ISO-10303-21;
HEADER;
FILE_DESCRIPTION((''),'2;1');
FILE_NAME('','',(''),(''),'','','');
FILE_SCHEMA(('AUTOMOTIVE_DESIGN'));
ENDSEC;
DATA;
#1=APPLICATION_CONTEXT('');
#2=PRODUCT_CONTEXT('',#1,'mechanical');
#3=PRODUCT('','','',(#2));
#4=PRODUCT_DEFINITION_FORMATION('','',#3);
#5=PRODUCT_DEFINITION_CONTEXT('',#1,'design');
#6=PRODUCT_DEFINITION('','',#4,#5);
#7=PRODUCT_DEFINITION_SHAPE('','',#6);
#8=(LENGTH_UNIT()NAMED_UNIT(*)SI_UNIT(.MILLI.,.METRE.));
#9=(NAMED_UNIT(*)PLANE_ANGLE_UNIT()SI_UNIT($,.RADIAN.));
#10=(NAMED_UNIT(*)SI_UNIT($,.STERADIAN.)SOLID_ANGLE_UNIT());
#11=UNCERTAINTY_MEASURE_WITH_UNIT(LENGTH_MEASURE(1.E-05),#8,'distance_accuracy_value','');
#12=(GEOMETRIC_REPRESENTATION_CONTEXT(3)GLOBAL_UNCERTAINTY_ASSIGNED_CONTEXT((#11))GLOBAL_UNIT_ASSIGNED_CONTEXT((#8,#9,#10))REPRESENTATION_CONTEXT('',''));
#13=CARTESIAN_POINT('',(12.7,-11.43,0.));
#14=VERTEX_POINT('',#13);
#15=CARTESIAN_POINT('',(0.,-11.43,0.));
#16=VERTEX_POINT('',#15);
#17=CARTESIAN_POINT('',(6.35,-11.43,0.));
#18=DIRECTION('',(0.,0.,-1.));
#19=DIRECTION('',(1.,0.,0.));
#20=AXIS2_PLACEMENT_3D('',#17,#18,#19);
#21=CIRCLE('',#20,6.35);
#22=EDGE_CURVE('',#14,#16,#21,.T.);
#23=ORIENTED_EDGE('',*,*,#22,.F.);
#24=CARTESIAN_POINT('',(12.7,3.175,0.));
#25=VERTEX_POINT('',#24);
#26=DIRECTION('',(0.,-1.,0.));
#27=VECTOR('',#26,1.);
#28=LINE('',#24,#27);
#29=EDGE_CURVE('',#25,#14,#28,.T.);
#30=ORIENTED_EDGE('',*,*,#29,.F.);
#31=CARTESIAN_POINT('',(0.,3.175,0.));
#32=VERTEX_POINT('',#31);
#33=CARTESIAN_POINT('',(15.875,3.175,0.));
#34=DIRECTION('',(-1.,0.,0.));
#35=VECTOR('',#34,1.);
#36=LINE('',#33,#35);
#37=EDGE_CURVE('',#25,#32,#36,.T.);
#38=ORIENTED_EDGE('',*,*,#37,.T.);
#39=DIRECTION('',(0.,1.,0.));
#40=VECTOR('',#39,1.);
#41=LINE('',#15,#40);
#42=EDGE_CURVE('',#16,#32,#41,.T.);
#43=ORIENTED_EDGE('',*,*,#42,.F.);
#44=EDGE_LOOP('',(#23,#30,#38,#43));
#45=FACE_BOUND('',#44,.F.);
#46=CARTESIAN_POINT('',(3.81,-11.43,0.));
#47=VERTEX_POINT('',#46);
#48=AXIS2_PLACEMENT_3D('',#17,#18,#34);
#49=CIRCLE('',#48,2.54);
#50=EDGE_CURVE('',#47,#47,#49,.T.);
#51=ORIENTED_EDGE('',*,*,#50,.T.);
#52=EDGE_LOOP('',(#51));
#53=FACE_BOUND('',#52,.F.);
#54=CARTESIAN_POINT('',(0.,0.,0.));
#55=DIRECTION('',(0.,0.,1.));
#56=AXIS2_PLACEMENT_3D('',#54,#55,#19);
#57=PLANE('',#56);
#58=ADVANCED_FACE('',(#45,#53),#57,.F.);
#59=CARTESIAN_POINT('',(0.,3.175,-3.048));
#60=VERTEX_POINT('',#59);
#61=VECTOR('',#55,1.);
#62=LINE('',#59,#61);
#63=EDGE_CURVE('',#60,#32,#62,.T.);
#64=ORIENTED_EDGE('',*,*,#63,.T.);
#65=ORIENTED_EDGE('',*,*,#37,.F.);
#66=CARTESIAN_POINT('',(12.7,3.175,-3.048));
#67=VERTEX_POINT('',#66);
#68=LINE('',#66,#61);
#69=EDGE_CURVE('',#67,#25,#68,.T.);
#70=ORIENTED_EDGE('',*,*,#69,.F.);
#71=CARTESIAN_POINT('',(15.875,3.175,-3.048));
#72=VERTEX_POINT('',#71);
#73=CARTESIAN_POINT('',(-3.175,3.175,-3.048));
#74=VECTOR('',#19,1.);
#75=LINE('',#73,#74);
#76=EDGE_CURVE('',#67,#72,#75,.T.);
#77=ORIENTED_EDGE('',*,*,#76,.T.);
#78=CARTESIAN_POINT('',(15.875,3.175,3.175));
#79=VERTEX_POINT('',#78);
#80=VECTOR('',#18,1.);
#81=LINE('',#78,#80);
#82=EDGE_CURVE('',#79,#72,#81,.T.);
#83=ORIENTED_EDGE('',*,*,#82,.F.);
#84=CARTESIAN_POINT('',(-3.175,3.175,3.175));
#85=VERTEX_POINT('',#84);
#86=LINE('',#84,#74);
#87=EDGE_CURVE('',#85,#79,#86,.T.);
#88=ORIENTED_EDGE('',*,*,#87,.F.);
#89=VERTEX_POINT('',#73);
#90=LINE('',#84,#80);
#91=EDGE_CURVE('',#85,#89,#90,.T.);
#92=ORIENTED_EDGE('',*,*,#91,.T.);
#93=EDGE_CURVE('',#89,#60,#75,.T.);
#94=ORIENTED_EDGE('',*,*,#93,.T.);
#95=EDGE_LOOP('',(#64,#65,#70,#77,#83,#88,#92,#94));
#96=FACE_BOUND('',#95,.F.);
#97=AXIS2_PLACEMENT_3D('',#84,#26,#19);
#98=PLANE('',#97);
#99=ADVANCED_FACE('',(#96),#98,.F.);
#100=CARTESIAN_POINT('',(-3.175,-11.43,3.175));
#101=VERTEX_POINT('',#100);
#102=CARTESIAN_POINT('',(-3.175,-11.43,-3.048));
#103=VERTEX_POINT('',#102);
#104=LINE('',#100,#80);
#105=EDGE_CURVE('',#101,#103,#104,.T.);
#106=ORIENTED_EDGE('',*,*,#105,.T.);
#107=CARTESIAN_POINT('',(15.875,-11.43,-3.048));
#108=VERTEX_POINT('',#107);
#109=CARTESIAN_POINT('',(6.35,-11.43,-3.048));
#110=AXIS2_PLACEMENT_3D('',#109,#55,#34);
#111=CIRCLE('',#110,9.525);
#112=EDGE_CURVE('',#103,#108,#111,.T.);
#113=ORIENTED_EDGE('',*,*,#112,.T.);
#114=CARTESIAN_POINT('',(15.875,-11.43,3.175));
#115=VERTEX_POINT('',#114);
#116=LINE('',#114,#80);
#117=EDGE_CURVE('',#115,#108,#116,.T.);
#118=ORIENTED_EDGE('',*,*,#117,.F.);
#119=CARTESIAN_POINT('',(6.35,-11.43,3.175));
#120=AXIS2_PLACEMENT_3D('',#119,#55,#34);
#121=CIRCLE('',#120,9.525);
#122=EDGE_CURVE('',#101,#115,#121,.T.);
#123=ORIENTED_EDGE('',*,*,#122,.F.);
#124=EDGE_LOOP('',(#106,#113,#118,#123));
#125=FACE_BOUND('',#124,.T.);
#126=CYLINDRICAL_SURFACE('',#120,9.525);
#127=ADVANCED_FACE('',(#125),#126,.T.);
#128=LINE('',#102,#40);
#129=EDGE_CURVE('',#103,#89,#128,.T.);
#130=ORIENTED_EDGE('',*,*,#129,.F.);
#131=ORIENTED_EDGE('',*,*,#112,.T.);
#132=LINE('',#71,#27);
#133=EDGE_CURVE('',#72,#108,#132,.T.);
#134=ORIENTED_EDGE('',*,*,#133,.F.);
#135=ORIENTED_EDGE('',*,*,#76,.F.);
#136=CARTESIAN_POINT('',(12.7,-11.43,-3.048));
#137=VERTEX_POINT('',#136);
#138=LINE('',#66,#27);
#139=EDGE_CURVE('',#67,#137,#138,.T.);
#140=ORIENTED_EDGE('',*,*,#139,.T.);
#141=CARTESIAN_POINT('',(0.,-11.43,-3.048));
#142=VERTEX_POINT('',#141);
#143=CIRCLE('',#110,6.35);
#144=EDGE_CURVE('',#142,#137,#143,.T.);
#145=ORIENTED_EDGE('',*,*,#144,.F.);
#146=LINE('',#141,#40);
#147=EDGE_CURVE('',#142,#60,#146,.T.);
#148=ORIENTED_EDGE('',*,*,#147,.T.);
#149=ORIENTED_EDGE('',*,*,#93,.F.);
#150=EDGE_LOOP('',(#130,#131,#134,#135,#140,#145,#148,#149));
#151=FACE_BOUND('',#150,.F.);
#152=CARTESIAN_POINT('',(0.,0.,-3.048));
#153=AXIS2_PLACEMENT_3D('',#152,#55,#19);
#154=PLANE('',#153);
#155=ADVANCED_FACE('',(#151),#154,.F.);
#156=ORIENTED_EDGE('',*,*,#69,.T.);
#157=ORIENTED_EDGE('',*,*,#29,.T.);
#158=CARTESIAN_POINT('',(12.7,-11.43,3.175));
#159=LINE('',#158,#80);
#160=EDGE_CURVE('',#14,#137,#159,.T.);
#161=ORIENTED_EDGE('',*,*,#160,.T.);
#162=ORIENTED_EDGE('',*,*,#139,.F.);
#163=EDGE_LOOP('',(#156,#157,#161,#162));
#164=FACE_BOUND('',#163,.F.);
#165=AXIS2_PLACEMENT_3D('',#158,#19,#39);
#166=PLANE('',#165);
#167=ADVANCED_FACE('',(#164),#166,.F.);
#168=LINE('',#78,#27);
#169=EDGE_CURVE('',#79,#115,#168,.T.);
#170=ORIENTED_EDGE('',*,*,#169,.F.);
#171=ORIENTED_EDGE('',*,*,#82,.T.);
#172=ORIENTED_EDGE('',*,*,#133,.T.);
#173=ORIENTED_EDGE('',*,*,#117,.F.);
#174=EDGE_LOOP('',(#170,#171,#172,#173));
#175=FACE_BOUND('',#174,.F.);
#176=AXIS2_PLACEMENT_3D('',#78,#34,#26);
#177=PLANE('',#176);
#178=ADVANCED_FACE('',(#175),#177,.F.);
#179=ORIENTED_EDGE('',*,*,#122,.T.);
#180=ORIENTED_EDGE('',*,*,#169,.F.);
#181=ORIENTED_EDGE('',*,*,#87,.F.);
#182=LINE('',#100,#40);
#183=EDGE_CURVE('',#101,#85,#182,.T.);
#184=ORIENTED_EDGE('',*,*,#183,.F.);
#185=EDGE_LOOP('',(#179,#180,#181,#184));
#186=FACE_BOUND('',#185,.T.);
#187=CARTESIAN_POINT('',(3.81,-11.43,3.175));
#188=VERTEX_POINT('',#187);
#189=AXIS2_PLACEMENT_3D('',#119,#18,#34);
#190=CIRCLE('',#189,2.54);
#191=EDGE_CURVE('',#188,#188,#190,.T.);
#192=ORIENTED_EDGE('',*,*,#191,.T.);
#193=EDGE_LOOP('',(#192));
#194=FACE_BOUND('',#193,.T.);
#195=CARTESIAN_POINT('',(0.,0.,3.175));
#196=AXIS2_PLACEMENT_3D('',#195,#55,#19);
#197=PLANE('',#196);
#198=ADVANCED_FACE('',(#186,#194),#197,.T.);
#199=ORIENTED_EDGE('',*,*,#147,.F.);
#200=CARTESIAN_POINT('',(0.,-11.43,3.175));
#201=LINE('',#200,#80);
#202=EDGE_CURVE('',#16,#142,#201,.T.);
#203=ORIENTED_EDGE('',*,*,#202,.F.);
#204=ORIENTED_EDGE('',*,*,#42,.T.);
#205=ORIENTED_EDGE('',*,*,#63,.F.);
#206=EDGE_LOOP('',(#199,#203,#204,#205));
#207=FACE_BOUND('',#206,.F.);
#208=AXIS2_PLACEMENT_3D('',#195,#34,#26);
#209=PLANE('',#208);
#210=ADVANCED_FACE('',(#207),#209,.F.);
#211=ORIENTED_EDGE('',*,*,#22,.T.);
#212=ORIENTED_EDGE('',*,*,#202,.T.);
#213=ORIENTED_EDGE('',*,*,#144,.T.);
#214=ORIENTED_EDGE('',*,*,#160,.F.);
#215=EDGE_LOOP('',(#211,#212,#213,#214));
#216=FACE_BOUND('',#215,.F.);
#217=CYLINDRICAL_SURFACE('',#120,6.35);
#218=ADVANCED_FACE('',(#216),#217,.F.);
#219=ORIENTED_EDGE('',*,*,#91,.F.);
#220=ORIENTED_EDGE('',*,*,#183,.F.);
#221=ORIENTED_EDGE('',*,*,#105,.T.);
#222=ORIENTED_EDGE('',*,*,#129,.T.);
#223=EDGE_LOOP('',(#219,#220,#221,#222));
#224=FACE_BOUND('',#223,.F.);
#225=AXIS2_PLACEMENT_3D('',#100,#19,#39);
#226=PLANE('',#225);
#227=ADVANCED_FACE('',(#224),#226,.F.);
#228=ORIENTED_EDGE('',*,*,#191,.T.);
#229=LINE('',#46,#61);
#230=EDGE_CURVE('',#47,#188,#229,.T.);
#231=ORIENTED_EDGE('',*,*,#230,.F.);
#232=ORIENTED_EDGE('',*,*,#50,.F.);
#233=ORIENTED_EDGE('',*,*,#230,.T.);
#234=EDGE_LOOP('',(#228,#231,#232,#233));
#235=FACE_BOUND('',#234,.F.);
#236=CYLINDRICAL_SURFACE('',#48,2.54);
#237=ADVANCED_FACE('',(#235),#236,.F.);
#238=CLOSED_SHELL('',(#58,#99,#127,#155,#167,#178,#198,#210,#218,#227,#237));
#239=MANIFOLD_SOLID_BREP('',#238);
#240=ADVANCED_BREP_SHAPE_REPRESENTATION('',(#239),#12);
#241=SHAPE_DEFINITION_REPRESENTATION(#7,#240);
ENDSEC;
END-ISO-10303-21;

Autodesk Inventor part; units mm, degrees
ref_plane "YZ Plane" through (0, 0, 0) normal (1, 0, 0) x (0, 1, 0)
ref_plane "XZ Plane" through (0, 0, 0) normal (0, 1, 0) x (-1, 0, 0)
ref_plane "XY Plane" through (0, 0, 0) normal (0, 0, 1) x (1, 0, 0)
sketch "Sketch1" plane through (0, 0, 0) normal (0, 0, 1) x (1, 0, 0)
  line L0 (0, 0) -> (12.7, 0)
  line L1 (12.7, 0) -> (12.7, -11.43)
  line L2 (6.35, -17.78) -> (6.35, -17.78)
  line L3 (0, -11.43) -> (0, 0)
  arc A0 (6.35, -17.78) -> (12.7, -11.43) centre (6.35, -11.43) ccw
  arc A1 (0, -11.43) -> (6.35, -17.78) centre (6.35, -11.43) ccw
  point P0 (12.7, -17.78)
  point P1 (0, -17.78)
  dimension "d0" = 12.7
  dimension "d1" = 17.78
  dimension "d2" = 6.35
extrude "Extrusion1" add sketch "Sketch1" along normal blind 3.175
sketch "Sketch2" plane through (0, 0, 3.175) normal (0, 0, 1) x (1, 0, 0)
  line L0 (12.7, 0) -> (0, 0) projected
  line L1 (0, 0) -> (0, -11.43) projected
  arc A0 (0, -11.43) -> (12.7, -11.43) centre (6.35, -11.43) ccw projected
  line L2 (12.7, -11.43) -> (12.7, 0) projected
  line L3 (-3.175, 3.175) -> (15.875, 3.175)
  line L4 (15.875, 3.175) -> (15.875, -11.43)
  arc A1 (-3.175, -11.43) -> (15.875, -11.43) centre (6.35, -11.43) ccw
  line L5 (-3.175, -11.43) -> (-3.175, 3.175)
  dimension "d5" = 3.175
extrude "Extrusion2" add sketch "Sketch2" against normal blind 6.223
sketch "Sketch3" plane through (0, 0, -3.048) normal (0, 0, -1) x (-1, 0, 0)
  line L0 (-15.875, 3.175) -> (-15.875, -11.43) projected
  line L1 (-15.875, 3.175) -> (3.351, 3.175)
  line L2 (3.351, 3.175) -> (3.351, 0)
  line L3 (3.351, 0) -> (-15.875, 0)
  line L4 (-15.875, 0) -> (-15.875, 3.175)
  line L5 (-12.7, 0) -> (0, 0) projected
  line L6 (3.175, 3.175) -> (-15.875, 3.175) projected
  line L7 (-12.7, 0) -> (0, 0)
  line L8 (0, 0) -> (0, 3.175)
  line L9 (0, 3.175) -> (-12.7, 3.175)
  line L10 (-12.7, 3.175) -> (-12.7, 0)
extrude "Extrusion3" cut sketch "Sketch3" against normal blind 3.048 contours L1 L8 L3 L10
sketch "Sketch4" plane through (0, 0, 0) normal (0, 0, -1) x (-1, 0, 0)
  arc A0 (-12.7, -11.43) -> (0, -11.43) centre (-6.35, -11.43) ccw projected
  circle A1 centre (-6.35, -11.43) radius 2.54
  point P0 (0, 0)
  dimension "d10" = 5.08
extrude "Extrusion4" cut sketch "Sketch4" against normal blind 25.4
properties part number "new jewel fail"
